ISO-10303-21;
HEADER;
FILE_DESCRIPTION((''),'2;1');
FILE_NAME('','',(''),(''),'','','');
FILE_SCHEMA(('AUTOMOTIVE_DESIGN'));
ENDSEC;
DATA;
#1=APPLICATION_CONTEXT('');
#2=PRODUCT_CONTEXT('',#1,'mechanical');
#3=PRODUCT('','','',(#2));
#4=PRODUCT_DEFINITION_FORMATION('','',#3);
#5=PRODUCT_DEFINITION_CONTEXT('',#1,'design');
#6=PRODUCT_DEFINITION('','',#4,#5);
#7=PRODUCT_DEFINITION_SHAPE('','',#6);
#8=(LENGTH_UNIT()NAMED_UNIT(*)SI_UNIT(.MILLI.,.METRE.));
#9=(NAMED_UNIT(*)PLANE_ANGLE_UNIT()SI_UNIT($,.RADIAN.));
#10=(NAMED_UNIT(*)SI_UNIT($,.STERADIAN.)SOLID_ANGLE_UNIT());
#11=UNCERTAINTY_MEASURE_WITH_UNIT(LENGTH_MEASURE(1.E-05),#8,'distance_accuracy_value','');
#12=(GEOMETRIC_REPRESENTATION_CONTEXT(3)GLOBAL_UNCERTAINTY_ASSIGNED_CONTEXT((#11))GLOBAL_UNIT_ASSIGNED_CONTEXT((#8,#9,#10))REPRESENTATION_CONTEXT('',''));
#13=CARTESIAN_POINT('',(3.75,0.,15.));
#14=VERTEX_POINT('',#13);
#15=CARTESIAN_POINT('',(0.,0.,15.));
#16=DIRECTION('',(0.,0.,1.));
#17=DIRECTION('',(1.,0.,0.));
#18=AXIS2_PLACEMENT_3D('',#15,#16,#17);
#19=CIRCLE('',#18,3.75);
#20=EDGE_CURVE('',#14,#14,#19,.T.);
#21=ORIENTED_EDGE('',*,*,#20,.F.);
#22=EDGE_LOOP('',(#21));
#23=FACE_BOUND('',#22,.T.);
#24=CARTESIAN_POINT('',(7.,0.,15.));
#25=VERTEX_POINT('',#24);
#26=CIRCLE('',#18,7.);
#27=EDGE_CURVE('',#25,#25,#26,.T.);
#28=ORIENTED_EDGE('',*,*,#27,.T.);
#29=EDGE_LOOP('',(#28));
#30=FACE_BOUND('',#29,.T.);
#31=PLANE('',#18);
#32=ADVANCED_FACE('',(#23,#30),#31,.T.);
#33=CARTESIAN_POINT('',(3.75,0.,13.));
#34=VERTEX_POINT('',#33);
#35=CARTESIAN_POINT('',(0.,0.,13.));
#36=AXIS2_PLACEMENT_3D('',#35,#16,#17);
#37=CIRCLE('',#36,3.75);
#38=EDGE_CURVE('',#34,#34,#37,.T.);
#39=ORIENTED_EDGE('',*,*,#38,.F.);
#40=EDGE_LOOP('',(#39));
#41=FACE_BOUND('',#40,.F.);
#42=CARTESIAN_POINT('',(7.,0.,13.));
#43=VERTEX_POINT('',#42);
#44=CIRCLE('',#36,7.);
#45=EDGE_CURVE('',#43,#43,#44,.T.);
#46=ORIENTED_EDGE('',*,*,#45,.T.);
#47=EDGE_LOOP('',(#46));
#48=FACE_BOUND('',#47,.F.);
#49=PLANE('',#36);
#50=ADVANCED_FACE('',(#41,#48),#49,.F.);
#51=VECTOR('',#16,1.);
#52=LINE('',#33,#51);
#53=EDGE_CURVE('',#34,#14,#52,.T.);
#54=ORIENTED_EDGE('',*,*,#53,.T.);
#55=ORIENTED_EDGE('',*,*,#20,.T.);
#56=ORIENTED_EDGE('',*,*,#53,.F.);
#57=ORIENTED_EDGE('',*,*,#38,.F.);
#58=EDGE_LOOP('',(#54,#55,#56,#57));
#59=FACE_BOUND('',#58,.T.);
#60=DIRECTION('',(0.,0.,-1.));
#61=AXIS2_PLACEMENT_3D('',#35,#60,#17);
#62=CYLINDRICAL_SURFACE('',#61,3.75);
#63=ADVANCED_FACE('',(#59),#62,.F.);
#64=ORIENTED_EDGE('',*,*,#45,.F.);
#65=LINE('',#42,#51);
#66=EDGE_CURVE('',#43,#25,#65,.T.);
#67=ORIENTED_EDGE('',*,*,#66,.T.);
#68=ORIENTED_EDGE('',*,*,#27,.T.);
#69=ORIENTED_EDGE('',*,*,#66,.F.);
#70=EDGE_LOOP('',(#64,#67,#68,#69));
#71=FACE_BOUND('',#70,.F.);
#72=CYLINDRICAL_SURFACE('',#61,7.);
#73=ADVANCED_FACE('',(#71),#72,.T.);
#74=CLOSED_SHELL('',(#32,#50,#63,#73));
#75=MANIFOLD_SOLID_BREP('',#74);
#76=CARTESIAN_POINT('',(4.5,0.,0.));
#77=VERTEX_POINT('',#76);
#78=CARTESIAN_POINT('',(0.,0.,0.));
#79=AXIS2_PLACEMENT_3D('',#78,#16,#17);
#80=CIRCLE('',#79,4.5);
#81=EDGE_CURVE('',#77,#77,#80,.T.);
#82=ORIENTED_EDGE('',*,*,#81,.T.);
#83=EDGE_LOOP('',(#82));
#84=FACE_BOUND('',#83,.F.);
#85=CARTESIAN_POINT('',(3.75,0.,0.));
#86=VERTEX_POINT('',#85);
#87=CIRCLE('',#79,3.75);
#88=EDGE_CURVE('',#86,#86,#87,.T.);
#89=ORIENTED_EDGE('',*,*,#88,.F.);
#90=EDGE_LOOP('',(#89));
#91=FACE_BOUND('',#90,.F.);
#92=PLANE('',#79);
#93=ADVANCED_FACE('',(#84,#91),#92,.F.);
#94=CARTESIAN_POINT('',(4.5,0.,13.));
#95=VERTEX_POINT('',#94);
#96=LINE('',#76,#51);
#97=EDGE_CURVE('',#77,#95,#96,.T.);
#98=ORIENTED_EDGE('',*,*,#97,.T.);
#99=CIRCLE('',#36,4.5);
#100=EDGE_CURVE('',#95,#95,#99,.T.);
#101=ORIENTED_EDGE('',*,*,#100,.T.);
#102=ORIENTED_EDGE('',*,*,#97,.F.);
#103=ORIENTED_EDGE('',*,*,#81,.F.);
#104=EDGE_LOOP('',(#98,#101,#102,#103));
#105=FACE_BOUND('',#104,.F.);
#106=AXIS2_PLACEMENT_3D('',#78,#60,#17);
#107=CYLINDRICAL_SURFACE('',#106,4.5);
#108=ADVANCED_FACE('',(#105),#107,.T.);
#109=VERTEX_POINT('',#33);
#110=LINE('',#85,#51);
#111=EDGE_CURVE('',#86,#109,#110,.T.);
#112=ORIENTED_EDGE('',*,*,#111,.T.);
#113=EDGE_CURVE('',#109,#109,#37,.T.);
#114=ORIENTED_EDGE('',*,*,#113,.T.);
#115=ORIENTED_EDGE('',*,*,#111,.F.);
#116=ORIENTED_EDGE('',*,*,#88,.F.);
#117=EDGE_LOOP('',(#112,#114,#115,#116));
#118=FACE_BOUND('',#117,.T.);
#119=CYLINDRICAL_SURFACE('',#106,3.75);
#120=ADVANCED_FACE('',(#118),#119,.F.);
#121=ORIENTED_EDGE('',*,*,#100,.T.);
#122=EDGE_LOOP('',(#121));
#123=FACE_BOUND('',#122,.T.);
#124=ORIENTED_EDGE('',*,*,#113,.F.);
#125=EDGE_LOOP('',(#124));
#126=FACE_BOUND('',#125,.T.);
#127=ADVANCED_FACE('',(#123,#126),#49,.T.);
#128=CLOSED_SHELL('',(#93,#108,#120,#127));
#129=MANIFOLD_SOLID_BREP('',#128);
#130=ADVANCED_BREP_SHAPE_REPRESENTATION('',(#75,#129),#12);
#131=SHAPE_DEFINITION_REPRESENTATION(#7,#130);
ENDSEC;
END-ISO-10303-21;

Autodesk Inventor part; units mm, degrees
ref_plane "YZ Plane" through (0, 0, 0) normal (1, 0, 0) x (0, 1, 0)
ref_plane "XZ Plane" through (0, 0, 0) normal (0, 1, 0) x (-1, 0, 0)
ref_plane "XY Plane" through (0, 0, 0) normal (0, 0, 1) x (1, 0, 0)
sketch "Sketch1" plane through (0, 0, 0) normal (0, 0, 1) x (1, 0, 0)
  circle A0 centre (0, 0) radius 4.5
  circle A1 centre (0, 0) radius 3.75
  dimension "d0" = 9
  dimension "d1" = 7.5
extrude "Extrusion1" add sketch "Sketch1" along normal blind 13
thread "Thread1" size "M8x1.25" class "6H" standard "ANSI Metric M Profile" full length
sketch "Sketch2" plane through (0, 0, 13) normal (0, 0, 1) x (1, 0, 0)
  circle A0 centre (0, 0) radius 3.75
  circle A1 centre (0, 0) radius 7
  dimension "d6" = 14
  dimension "d7" = 7.5
extrude "Extrusion2" add sketch "Sketch2" along normal blind 2 separate body
properties part number "Base dos parafusos da ponte"
